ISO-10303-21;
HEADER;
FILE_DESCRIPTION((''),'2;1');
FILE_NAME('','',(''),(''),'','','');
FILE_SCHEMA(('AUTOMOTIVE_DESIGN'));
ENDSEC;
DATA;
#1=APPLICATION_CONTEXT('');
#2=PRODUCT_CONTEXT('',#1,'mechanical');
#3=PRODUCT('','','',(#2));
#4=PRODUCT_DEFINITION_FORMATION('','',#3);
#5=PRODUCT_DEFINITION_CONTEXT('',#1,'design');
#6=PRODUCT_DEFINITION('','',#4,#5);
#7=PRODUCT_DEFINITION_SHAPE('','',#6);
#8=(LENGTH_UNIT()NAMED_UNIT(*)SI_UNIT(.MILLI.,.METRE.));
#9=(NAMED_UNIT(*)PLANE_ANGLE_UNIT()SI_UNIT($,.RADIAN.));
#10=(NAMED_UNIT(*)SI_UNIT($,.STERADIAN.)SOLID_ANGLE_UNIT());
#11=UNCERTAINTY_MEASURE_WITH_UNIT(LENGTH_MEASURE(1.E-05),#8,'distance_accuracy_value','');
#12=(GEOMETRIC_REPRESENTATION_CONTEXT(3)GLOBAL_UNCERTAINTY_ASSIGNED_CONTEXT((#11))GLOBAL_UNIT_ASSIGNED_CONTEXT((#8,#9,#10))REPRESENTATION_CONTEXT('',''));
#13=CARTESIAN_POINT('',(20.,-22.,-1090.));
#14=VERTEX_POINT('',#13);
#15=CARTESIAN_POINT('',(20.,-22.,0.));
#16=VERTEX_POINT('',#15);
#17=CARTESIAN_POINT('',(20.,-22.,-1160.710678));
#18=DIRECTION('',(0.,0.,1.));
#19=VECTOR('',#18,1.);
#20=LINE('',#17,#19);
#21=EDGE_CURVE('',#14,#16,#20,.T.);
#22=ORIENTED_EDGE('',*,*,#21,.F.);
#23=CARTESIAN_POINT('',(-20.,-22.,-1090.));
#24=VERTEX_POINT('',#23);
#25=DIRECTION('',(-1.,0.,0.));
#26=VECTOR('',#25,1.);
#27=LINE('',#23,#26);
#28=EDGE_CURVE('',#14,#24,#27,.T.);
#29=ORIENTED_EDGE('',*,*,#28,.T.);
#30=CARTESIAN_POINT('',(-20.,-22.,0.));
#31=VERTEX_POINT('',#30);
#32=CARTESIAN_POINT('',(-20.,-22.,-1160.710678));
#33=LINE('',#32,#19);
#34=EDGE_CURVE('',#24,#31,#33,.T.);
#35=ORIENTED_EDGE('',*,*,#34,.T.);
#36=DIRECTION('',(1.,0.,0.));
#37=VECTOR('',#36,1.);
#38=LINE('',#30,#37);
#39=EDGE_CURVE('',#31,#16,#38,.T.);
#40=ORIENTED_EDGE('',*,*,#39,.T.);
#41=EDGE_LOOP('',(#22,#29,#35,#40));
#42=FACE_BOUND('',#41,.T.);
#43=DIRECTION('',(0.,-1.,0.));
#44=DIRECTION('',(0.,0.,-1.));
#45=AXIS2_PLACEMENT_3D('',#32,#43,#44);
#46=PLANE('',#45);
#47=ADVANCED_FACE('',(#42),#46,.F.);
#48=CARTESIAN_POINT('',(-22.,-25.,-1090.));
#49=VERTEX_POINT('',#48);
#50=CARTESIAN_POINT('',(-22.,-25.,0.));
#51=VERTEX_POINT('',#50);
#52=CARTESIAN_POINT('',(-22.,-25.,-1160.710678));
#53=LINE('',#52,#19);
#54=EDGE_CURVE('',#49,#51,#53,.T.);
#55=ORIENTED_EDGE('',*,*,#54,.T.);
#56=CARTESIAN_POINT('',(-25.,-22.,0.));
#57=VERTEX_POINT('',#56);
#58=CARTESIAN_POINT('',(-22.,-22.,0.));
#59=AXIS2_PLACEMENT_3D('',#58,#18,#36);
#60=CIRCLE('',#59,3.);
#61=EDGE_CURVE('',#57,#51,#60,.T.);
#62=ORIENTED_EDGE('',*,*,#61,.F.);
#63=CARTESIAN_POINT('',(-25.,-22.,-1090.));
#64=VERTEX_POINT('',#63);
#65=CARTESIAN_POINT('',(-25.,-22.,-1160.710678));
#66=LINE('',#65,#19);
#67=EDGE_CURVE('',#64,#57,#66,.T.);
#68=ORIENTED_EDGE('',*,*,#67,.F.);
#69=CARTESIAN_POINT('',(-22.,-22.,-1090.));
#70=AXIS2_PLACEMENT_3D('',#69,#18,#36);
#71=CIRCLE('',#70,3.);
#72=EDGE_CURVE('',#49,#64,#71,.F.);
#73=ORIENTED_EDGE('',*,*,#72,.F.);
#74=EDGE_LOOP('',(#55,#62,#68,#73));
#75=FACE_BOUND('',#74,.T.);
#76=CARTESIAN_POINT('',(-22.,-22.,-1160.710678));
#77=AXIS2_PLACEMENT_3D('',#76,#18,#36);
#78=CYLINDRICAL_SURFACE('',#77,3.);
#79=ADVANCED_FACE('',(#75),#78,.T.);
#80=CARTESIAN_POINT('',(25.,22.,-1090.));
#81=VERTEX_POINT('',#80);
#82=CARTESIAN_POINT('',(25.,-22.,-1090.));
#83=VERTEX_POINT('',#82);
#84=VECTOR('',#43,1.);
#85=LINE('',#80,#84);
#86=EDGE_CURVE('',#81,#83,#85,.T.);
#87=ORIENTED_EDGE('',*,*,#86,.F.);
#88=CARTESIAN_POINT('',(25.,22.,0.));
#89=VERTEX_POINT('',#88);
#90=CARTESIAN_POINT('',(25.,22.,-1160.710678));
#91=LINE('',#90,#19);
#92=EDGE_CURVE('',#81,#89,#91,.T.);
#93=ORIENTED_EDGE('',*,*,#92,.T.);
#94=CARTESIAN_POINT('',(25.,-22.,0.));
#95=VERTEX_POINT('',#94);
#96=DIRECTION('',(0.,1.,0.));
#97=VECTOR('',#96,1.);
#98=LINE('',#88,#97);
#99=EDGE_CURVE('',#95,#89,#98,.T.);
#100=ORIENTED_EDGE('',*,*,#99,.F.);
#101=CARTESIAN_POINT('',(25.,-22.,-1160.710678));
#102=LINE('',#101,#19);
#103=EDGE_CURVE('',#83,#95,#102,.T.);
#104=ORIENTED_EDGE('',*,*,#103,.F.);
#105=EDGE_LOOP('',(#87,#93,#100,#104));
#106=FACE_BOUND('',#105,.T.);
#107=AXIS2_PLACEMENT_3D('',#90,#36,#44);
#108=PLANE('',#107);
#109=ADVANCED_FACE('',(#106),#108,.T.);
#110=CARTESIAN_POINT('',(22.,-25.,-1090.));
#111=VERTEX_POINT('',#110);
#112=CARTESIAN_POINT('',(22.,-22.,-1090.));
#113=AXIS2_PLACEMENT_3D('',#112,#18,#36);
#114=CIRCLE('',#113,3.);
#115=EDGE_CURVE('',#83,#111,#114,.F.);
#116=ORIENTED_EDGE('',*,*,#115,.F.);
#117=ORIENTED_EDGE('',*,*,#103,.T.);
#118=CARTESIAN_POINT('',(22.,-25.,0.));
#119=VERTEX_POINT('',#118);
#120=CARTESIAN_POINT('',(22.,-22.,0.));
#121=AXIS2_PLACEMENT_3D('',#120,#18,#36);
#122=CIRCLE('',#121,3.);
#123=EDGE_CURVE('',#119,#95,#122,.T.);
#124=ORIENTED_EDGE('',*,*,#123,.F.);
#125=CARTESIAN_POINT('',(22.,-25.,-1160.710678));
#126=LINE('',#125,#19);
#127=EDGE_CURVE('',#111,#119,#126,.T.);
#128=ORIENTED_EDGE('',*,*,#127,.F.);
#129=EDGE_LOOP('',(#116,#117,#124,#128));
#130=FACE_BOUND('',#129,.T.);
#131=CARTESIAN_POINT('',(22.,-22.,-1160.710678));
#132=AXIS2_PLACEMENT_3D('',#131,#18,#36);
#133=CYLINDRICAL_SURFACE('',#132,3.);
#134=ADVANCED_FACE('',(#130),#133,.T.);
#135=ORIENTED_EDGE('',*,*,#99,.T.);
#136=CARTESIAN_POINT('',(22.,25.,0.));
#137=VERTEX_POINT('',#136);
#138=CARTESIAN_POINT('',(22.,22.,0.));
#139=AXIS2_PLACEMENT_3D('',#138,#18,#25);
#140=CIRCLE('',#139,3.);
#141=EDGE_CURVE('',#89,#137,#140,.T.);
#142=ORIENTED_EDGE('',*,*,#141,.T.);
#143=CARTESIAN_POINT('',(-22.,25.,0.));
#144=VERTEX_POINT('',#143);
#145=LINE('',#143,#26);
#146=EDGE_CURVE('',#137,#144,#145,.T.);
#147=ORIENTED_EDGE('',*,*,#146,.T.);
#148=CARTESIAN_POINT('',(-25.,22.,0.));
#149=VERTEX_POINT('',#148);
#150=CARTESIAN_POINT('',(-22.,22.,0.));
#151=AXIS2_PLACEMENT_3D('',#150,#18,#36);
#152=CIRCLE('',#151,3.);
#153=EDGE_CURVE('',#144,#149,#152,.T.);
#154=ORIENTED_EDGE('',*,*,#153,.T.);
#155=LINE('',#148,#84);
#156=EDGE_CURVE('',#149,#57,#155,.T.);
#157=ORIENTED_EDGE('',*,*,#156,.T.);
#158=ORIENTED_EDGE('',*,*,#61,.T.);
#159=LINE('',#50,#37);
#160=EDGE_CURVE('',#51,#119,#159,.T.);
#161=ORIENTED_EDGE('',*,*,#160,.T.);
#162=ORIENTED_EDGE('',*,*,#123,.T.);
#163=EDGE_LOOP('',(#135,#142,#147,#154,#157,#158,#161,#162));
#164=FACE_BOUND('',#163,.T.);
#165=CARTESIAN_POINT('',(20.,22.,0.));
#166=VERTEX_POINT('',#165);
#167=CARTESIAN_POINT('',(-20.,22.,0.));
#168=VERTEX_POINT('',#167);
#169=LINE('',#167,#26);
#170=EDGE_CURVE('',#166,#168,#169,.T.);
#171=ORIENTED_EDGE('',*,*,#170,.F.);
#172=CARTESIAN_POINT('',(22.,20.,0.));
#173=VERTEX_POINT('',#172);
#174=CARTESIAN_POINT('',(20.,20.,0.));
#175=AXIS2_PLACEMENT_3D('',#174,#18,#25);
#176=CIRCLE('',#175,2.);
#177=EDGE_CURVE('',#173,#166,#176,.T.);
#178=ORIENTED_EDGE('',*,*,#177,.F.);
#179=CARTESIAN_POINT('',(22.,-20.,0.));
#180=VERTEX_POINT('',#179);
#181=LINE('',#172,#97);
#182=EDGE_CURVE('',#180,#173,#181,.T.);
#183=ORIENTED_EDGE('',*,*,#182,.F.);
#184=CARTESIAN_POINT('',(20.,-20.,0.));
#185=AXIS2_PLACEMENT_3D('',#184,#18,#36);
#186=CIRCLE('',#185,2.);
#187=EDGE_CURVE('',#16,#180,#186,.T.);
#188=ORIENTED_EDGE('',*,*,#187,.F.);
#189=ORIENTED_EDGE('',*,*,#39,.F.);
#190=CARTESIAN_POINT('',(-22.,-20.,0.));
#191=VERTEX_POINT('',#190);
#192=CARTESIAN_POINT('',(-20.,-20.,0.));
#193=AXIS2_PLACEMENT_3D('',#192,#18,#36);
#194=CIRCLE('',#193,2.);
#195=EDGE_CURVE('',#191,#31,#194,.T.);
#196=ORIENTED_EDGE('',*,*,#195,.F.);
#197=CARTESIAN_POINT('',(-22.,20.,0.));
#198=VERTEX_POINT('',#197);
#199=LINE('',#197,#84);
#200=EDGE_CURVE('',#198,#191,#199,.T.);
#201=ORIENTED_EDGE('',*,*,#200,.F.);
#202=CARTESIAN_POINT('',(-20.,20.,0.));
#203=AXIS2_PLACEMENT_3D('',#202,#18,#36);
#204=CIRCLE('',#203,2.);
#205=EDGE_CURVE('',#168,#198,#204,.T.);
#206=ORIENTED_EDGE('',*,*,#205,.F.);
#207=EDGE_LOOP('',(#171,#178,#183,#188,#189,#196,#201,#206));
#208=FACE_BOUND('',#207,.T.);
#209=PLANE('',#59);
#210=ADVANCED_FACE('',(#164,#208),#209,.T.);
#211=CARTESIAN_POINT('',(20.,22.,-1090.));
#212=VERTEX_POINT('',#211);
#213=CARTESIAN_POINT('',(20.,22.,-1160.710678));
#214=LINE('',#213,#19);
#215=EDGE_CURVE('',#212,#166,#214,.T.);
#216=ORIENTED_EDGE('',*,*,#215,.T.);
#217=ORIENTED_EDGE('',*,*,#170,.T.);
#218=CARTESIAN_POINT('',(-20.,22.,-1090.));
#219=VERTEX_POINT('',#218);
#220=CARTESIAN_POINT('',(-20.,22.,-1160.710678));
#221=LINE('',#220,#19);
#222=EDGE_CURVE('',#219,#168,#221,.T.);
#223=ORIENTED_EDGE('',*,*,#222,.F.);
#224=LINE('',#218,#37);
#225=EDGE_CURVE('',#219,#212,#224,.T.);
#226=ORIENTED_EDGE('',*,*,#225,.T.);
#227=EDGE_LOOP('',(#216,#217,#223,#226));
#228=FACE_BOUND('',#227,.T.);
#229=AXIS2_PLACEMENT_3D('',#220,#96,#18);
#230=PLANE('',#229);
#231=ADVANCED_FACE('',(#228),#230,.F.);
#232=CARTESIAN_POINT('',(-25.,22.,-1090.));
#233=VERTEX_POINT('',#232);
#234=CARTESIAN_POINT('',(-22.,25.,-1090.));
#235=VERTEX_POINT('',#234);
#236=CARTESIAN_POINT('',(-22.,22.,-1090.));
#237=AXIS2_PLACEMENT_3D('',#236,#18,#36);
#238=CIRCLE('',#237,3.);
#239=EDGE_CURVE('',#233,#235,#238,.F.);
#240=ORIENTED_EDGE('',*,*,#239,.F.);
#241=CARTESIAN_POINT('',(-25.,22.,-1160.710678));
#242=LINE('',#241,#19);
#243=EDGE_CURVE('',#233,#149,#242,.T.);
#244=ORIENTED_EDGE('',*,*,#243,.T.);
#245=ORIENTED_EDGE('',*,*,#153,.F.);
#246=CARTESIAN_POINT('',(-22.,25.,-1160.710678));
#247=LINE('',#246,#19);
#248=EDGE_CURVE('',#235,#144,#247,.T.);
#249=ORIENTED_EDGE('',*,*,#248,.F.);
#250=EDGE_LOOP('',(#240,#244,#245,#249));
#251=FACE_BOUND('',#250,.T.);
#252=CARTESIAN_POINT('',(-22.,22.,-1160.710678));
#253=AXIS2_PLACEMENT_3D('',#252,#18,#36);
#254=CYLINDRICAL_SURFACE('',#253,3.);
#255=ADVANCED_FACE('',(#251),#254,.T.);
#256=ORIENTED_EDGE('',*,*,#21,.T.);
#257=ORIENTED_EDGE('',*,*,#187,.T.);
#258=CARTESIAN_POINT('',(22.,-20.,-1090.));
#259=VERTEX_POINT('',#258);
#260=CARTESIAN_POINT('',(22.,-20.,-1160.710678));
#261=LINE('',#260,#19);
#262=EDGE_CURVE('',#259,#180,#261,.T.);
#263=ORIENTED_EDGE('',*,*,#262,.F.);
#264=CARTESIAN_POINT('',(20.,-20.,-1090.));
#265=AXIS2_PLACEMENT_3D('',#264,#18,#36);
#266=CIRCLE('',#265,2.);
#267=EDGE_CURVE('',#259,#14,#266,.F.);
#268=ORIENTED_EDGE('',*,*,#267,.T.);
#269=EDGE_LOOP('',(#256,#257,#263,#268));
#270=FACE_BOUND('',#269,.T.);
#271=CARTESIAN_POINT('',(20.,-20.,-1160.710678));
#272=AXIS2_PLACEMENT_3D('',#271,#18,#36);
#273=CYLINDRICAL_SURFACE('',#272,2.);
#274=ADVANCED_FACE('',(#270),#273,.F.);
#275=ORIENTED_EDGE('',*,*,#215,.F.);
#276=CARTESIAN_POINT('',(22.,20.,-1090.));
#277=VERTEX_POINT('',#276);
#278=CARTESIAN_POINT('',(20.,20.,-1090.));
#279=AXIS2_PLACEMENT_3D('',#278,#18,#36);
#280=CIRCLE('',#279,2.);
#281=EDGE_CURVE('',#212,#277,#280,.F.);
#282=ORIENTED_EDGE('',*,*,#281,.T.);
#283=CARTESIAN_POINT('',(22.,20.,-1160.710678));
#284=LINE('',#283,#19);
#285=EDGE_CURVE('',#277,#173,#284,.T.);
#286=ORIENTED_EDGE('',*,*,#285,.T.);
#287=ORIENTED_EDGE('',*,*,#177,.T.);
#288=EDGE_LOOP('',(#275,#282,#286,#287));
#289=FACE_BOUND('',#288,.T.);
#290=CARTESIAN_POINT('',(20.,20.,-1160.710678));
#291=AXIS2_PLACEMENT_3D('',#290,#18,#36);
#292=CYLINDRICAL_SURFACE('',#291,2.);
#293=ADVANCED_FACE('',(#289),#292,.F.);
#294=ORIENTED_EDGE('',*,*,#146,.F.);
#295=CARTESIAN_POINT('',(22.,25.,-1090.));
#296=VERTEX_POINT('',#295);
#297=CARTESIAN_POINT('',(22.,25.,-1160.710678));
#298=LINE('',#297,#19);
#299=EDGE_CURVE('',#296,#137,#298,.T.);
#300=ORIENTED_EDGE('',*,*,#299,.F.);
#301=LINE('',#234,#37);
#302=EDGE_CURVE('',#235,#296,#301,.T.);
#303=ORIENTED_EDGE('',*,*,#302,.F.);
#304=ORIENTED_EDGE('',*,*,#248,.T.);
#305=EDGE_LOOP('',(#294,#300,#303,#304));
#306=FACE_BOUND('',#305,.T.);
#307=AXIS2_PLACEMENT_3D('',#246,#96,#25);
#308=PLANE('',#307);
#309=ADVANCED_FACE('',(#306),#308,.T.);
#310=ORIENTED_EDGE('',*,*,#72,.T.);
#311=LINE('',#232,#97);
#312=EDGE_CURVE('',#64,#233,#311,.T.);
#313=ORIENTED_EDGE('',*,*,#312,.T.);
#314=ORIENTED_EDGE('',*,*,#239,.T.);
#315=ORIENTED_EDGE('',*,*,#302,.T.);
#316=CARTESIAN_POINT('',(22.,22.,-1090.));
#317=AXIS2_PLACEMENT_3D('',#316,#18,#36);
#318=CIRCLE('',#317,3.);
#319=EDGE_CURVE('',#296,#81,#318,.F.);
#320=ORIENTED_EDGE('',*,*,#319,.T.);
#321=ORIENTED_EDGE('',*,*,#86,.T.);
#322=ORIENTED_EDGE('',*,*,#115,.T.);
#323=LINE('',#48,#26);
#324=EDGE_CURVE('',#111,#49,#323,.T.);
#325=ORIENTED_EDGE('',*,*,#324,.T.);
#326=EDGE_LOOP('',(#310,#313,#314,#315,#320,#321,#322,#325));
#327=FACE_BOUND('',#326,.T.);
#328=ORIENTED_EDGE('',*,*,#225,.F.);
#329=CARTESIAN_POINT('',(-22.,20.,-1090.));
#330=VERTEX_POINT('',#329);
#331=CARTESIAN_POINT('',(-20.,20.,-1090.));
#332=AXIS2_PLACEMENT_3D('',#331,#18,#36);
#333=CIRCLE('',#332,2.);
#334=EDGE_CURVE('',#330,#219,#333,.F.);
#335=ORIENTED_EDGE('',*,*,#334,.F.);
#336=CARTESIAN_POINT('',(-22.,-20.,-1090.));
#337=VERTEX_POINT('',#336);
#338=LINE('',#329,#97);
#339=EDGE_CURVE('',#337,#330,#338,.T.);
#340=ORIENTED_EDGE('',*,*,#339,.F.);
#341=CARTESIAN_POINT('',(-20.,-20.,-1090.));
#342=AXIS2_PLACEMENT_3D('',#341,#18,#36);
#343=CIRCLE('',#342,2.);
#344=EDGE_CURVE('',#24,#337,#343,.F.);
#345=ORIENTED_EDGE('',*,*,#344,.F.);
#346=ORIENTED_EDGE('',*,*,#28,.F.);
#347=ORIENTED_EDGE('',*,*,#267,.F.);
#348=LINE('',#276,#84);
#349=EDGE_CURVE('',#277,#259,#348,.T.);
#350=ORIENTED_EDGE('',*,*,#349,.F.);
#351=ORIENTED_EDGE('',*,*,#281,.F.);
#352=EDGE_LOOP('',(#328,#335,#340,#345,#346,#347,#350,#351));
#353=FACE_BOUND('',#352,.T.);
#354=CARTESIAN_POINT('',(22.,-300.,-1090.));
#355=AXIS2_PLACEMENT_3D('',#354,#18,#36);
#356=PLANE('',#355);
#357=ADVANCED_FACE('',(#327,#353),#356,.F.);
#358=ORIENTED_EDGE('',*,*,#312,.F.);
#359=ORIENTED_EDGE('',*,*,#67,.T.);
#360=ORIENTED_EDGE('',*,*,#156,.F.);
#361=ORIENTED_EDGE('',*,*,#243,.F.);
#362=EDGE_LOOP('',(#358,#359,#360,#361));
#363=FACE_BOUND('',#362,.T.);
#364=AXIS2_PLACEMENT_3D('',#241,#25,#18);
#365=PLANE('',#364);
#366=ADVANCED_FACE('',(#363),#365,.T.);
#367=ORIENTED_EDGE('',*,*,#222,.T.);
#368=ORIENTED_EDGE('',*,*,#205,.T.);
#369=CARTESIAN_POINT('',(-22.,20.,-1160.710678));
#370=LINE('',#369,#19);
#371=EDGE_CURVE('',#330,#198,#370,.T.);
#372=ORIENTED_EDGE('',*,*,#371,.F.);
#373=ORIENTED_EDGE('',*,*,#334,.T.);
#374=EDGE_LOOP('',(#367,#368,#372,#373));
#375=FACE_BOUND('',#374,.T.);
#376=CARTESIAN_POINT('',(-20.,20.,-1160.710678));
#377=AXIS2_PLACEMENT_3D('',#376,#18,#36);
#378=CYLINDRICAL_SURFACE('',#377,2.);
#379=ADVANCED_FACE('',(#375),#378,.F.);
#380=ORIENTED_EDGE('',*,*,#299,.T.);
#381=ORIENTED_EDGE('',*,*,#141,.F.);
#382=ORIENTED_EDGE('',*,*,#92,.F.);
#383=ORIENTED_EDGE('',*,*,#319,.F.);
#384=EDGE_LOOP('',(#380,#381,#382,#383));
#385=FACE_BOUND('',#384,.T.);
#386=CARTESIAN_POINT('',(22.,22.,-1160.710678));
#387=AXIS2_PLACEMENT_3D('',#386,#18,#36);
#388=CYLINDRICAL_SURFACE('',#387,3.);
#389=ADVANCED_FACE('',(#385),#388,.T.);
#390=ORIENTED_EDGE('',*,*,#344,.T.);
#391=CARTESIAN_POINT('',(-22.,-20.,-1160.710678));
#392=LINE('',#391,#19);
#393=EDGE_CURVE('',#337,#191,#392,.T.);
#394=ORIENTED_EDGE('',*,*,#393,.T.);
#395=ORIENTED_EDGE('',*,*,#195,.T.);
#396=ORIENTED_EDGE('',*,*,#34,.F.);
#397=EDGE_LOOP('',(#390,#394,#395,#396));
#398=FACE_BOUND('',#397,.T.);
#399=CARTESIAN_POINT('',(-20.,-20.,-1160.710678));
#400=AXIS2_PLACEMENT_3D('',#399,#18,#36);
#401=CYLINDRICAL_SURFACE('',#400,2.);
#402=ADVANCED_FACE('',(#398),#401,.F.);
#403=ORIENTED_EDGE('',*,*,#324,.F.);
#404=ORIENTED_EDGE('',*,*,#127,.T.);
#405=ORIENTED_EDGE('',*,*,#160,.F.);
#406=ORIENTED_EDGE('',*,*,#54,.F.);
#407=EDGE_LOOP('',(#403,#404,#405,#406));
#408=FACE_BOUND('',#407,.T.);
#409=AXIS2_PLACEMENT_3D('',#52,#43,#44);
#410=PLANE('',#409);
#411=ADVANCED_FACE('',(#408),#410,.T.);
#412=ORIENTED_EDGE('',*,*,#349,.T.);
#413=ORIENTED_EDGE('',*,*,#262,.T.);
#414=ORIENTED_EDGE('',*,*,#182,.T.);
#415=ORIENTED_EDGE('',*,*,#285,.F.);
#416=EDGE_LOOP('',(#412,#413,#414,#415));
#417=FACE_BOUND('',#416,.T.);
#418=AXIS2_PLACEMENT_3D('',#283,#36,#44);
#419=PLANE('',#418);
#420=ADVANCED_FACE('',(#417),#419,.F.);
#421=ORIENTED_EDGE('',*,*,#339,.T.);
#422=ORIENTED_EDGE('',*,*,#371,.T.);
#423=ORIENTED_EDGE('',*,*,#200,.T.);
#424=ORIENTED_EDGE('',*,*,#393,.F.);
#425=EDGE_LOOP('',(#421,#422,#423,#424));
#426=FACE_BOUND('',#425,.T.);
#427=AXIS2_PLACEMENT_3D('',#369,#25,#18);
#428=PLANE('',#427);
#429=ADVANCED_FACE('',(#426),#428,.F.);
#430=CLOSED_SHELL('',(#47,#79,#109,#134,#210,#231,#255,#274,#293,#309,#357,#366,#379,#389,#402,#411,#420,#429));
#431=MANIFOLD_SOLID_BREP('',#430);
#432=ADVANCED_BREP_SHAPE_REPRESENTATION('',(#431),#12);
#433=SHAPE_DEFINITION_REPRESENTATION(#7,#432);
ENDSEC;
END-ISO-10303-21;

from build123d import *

# Parameters (mm, degrees)
EXTRUDE_1_DEPTH = 1090


with BuildPart() as part:
    # Эскиз1 → Бобышка-Вытянуть1 (new body)
    with BuildSketch(Plane.XY):
        with BuildLine():
            Line((-22, 25), (22, 25))
            ThreePointArc((22, 25), (24.121320344, 24.121320344), (25, 22))
            Line((25, 22), (25, -22))
            ThreePointArc((25, -22), (24.121320344, -24.121320344), (22, -25))
            Line((22, -25), (-22, -25))
            ThreePointArc((-22, -25), (-24.121320344, -24.121320344), (-25, -22))
            Line((-25, -22), (-25, 22))
            ThreePointArc((-25, 22), (-24.121320344, 24.121320344), (-22, 25))
        make_face()
        with BuildLine():
            Line((-20, 22), (20, 22))
            ThreePointArc((20, 22), (21.414213562, 21.414213562), (22, 20))
            Line((22, 20), (22, -20))
            ThreePointArc((22, -20), (21.414213562, -21.414213562), (20, -22))
            Line((20, -22), (-20, -22))
            ThreePointArc((-20, -22), (-21.414213562, -21.414213562), (-22, -20))
            Line((-22, -20), (-22, 20))
            ThreePointArc((-22, 20), (-21.414213562, 21.414213562), (-20, 22))
        make_face(mode=Mode.SUBTRACT)
    extrude(amount=-EXTRUDE_1_DEPTH)


solid = part.part
